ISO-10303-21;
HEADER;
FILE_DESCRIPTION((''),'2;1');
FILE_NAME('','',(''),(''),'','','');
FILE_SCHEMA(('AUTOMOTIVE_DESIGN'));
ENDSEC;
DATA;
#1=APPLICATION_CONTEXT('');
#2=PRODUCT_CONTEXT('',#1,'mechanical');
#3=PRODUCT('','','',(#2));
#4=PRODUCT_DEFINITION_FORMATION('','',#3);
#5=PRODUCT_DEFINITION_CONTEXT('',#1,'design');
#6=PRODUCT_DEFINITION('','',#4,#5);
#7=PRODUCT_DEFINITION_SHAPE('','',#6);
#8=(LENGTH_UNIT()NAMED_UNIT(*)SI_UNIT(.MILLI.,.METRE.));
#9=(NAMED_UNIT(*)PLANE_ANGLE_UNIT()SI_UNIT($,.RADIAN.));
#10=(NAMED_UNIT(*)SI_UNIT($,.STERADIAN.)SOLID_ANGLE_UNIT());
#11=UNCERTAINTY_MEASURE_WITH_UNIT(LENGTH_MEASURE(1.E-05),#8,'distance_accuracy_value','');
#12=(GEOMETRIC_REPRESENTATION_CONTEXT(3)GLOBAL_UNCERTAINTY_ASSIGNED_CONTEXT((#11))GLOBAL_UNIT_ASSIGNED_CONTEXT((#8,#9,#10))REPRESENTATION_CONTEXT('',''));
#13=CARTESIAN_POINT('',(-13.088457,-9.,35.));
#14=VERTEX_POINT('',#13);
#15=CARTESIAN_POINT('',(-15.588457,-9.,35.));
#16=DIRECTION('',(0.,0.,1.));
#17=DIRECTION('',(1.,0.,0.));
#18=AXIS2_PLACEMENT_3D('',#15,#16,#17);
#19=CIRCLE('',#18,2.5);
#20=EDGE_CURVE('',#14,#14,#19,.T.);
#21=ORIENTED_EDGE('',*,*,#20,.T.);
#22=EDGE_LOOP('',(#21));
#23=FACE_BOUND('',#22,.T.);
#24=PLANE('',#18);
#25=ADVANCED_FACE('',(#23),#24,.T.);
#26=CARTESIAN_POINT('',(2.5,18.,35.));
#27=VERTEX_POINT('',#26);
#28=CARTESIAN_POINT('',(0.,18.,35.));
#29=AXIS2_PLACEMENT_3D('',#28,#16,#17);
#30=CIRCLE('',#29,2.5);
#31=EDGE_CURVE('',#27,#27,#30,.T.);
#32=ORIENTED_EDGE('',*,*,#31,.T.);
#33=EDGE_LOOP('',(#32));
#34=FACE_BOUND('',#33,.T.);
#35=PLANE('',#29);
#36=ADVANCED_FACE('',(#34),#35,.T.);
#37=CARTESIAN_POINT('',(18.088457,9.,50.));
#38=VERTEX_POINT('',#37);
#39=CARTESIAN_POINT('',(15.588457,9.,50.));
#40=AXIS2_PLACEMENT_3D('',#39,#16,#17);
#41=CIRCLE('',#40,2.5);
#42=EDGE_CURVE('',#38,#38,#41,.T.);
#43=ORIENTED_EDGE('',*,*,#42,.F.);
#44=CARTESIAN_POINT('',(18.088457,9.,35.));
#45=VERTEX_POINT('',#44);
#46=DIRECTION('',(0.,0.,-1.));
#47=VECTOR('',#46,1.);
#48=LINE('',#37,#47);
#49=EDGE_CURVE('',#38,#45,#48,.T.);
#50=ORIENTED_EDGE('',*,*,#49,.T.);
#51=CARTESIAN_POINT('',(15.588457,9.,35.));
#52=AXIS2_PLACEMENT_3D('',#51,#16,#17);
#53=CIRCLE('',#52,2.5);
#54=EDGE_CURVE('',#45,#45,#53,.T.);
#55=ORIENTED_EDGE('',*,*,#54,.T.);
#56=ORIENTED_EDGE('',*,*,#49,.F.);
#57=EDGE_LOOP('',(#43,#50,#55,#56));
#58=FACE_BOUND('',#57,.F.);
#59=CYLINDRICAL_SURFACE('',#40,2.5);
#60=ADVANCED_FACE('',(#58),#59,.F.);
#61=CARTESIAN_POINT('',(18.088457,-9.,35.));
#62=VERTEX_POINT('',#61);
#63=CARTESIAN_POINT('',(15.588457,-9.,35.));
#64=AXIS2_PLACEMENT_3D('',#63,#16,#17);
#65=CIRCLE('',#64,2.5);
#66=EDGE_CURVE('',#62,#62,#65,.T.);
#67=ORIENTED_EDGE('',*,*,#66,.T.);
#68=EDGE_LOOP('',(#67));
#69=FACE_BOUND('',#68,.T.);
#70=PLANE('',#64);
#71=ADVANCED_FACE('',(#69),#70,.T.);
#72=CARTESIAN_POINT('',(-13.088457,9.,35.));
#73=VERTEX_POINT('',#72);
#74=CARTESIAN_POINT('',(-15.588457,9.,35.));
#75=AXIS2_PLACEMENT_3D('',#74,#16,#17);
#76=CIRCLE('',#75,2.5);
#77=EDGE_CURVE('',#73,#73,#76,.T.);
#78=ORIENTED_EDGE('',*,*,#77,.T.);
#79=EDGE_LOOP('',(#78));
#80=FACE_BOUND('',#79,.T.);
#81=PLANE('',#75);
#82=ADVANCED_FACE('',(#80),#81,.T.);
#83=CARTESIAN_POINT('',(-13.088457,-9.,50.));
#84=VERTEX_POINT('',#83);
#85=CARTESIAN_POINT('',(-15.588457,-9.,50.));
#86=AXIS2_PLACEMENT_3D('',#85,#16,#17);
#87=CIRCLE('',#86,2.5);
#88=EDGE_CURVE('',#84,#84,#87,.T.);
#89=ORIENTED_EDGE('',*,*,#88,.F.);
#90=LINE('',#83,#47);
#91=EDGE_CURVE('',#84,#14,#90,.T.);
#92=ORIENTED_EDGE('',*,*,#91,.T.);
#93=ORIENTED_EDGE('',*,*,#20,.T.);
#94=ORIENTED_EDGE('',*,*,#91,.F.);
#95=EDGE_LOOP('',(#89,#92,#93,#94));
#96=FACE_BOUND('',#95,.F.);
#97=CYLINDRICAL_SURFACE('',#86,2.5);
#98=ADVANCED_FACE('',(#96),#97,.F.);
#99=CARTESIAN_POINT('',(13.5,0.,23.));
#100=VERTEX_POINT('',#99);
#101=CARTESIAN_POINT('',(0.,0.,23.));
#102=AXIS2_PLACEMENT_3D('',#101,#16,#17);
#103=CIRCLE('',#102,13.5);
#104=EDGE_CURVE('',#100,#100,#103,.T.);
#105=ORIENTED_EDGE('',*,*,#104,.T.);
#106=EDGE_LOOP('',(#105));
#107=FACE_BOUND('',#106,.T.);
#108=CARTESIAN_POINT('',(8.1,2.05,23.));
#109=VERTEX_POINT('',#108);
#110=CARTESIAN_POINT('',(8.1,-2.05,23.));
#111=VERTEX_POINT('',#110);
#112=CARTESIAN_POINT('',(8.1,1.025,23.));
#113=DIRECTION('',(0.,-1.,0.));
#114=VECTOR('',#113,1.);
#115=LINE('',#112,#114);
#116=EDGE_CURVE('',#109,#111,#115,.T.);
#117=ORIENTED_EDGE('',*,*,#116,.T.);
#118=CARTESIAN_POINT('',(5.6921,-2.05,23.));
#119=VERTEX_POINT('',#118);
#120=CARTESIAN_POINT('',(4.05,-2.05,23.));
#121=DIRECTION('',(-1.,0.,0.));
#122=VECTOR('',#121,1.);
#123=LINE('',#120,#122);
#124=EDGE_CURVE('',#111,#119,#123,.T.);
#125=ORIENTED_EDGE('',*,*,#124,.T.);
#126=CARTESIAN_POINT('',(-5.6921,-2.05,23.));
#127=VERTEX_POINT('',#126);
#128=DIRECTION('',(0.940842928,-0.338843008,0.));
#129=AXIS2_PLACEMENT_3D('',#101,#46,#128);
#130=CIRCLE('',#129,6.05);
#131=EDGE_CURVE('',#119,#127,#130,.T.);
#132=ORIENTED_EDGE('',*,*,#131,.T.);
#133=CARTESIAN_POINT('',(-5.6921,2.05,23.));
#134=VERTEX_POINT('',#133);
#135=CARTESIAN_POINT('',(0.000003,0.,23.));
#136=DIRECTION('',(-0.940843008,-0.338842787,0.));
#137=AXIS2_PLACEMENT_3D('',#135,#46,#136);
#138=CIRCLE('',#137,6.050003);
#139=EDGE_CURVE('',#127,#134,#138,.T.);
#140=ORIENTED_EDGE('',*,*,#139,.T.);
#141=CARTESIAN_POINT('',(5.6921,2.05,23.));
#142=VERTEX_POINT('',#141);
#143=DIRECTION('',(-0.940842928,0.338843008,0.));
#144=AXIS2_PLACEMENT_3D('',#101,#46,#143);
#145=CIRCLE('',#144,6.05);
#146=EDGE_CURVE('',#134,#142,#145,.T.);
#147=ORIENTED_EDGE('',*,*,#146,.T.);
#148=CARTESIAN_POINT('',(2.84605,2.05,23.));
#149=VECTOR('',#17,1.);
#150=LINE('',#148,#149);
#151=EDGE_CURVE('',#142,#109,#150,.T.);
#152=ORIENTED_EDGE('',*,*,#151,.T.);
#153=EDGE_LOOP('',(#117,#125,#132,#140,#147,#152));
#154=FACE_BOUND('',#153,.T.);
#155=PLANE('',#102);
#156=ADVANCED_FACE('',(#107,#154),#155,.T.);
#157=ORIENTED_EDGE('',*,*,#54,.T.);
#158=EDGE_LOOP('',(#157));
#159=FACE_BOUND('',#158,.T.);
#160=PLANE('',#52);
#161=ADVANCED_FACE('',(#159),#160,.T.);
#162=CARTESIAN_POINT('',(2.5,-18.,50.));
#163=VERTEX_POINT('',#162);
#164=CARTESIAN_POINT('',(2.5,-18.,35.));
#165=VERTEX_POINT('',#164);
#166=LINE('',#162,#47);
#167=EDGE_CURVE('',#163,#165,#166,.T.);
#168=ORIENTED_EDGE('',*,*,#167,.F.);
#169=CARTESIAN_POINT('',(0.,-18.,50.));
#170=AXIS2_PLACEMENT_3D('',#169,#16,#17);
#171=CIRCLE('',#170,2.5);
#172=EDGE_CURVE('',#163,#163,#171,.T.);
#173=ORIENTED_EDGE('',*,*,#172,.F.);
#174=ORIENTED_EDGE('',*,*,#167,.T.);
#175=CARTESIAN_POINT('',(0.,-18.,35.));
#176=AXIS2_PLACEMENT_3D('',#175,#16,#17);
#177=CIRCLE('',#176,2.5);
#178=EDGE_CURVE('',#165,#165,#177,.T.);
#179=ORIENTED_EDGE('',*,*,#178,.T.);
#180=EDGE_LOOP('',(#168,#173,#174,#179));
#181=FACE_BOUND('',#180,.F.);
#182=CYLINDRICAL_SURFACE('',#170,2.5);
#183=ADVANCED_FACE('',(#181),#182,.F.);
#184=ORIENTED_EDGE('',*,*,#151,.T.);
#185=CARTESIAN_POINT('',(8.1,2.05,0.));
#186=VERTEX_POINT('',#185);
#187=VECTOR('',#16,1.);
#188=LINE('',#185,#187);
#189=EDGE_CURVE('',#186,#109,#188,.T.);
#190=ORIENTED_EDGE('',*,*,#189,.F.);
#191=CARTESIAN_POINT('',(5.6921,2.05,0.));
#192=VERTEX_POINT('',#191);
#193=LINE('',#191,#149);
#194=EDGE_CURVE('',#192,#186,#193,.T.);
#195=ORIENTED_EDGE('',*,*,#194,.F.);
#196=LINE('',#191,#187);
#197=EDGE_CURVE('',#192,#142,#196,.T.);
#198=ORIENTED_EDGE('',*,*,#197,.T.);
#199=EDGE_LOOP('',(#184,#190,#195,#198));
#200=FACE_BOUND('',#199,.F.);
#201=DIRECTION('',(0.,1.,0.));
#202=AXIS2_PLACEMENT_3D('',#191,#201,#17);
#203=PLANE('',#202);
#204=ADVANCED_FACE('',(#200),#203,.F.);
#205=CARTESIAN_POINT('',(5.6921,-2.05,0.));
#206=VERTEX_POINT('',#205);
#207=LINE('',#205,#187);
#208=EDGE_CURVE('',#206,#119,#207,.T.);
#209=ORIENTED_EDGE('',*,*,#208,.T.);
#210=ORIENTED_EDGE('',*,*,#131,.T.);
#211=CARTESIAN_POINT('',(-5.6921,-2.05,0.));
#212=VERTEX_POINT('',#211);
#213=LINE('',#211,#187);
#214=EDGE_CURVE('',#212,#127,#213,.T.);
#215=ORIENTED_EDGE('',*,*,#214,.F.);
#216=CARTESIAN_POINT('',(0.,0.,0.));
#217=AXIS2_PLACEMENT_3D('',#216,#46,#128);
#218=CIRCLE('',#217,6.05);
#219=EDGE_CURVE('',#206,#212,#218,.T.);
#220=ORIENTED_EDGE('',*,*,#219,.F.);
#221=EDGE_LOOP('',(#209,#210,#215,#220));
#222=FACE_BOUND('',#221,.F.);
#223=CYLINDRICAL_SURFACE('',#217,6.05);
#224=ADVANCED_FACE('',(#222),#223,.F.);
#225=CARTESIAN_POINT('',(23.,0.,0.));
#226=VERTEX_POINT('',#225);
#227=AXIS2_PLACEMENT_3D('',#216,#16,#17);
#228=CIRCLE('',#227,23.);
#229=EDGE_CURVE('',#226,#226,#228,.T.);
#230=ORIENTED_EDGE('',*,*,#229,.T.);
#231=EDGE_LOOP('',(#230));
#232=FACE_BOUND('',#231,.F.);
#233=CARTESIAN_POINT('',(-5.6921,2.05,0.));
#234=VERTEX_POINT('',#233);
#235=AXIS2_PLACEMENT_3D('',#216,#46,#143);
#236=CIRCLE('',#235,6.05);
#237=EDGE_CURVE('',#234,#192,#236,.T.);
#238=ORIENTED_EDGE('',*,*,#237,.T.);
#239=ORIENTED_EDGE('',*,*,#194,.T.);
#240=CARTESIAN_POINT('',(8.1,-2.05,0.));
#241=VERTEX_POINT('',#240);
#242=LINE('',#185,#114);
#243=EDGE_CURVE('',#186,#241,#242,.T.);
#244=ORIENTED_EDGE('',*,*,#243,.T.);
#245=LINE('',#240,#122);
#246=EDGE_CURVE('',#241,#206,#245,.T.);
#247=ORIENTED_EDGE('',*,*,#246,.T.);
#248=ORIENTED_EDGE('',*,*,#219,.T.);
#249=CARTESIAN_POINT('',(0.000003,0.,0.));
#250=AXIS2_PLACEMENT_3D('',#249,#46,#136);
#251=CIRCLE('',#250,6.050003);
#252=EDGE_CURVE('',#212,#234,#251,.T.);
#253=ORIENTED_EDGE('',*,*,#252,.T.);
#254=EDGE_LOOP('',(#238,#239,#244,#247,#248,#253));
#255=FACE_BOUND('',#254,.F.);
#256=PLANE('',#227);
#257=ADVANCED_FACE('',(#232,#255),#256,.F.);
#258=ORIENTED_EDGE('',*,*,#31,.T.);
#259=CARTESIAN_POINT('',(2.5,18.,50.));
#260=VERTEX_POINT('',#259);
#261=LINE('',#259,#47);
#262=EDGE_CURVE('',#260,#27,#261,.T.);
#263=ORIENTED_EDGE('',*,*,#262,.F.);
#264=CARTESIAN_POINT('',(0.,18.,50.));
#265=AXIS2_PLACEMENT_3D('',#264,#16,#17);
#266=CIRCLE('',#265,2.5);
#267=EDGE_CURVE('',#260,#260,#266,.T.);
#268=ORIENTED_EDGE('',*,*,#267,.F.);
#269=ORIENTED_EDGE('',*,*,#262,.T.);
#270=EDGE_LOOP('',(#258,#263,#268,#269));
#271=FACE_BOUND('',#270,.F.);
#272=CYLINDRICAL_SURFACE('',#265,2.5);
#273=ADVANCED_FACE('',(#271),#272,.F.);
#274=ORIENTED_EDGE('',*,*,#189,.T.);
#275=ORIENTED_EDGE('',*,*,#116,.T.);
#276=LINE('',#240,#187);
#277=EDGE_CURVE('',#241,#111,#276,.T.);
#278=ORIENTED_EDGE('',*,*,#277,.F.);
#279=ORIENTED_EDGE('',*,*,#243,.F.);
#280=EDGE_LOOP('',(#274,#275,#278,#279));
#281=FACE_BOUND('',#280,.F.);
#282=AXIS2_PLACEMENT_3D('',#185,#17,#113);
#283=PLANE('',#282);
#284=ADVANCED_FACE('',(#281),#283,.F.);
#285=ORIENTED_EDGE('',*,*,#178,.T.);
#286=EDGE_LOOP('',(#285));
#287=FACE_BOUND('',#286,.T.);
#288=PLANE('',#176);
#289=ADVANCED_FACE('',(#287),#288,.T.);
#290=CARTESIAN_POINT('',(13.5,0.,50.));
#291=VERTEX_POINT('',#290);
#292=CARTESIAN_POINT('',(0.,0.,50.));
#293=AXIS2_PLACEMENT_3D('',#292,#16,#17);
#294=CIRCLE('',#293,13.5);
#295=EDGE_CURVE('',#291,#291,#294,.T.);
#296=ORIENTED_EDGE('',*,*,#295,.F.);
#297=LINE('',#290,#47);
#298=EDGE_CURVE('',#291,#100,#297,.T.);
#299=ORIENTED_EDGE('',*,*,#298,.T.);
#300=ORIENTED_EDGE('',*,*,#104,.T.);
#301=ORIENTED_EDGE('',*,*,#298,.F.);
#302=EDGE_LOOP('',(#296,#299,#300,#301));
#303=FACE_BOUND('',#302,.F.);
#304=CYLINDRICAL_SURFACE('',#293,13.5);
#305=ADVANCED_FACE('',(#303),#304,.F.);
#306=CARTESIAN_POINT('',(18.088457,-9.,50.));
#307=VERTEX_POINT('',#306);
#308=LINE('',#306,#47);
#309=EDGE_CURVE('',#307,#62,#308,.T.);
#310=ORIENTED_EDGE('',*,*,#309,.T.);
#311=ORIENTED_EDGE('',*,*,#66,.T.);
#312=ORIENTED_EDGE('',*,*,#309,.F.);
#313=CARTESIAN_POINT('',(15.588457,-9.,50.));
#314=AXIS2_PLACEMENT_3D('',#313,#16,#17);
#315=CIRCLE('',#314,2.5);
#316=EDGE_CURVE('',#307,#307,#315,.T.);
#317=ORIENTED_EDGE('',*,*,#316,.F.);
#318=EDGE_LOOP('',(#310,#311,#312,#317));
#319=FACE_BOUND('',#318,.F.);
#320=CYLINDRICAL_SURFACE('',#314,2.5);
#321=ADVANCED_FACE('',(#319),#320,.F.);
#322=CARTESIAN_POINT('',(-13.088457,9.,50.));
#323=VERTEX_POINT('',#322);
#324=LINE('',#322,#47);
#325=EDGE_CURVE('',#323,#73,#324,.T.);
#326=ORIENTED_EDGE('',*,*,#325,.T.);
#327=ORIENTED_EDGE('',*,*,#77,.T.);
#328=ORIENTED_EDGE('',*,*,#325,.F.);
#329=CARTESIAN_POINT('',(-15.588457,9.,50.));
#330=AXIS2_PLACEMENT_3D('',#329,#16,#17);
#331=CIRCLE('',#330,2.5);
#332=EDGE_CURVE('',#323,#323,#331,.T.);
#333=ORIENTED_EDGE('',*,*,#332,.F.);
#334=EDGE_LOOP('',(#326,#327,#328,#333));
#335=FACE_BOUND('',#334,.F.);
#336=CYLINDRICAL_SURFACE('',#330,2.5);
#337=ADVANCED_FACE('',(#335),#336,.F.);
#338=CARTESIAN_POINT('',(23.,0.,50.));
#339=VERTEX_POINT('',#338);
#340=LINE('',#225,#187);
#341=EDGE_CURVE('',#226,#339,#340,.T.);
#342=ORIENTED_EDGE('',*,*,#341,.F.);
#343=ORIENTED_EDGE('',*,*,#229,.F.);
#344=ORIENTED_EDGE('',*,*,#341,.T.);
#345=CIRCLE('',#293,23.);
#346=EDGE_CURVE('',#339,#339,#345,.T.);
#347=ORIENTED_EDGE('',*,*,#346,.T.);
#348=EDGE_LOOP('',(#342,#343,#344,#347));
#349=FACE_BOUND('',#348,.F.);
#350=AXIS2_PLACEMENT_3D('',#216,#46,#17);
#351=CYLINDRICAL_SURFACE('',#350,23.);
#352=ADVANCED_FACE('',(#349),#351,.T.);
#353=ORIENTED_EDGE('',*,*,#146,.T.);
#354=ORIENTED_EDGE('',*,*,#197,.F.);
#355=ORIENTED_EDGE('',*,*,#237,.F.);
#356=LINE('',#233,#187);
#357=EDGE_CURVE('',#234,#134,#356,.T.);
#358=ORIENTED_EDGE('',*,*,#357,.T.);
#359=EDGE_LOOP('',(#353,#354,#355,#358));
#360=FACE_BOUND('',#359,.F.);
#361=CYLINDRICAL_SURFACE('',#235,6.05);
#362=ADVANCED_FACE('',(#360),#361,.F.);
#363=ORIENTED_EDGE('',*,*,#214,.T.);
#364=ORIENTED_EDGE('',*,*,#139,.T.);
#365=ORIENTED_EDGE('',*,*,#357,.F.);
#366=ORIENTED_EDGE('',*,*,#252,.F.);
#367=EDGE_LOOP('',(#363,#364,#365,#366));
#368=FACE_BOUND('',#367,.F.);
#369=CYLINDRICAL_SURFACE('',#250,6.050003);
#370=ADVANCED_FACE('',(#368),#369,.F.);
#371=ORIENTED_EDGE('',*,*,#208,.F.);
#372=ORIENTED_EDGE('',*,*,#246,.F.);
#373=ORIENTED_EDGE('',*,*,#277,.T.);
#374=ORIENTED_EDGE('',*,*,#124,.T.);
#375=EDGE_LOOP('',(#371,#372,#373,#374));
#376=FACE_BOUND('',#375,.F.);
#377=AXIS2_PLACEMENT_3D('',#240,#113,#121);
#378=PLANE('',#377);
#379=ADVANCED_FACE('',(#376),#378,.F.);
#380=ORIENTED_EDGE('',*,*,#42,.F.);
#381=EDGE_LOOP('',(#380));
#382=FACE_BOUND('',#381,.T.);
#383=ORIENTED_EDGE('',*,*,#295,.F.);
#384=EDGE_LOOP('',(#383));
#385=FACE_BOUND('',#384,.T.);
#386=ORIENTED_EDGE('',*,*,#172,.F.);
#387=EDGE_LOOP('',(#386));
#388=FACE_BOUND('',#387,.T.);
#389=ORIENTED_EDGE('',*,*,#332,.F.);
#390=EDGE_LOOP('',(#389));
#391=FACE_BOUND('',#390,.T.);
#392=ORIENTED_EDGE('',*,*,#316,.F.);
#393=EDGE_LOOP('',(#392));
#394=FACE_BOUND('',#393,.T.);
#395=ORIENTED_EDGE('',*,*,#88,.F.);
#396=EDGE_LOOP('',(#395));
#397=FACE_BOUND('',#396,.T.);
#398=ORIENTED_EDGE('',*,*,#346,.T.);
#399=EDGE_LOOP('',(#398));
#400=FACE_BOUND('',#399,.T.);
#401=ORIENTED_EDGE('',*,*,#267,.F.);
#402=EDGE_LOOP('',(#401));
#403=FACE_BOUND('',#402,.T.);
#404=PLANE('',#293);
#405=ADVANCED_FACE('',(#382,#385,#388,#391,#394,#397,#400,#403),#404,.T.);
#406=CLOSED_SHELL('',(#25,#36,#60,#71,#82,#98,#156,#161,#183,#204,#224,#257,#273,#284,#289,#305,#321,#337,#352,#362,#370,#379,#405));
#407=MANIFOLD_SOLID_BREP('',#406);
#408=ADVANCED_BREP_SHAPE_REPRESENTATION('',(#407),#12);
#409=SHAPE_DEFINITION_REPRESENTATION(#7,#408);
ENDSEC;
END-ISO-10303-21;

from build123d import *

# Parameters (mm, degrees)
F0_R     = 23
F3_DEPTH = 50
F4_R     = 13.5
F1_DEPTH = 27
F5_R     = 2.5
F2_DEPTH = 15


with BuildPart() as f3:
    # F0 (on Top) → F3 (new body)
    with BuildSketch(Plane.XY):
        Circle(F0_R)
        with BuildLine():
            ThreePointArc((-5.6921, 2.05), (0, 6.05), (5.6921, 2.05))
            Line((5.6921, 2.05), (8.1, 2.05))
            Line((8.1, 2.05), (8.1, -2.05))
            Line((8.1, -2.05), (5.6921, -2.05))
            ThreePointArc((5.6921, -2.05), (0, -6.05), (-5.6921, -2.05))
            Line((-5.6921, -2.05), (-8.1, -2.05))
            Line((-8.1, -2.05), (-8.1, 2.05))
            Line((-8.1, 2.05), (-5.6921, 2.05))
        make_face(mode=Mode.SUBTRACT)
        with BuildLine():
            ThreePointArc((-5.6921, -2.05), (-6.05, 0), (-5.6921, 2.05))
            Line((-5.6921, 2.05), (-8.1, 2.05))
            Line((-8.1, 2.05), (-8.1, -2.05))
            Line((-8.1, -2.05), (-5.6921, -2.05))
        make_face()
    extrude(amount=F3_DEPTH)

    # F4 (on face) → F1 (cut)
    with BuildSketch(Plane.XY.offset(50)):
        Circle(F4_R)
    extrude(amount=-F1_DEPTH, mode=Mode.SUBTRACT)

    # F5 (on face) → F2 (cut)
    with BuildSketch(Plane.XY.offset(50)):
        with Locations((15.588457, 9)):
            Circle(F5_R)
        with Locations((0, 18)):
            Circle(F5_R)
        with Locations((-15.588457, 9)):
            Circle(F5_R)
        with Locations((15.588457, -9)):
            Circle(F5_R)
        with Locations((0, -18)):
            Circle(F5_R)
        with Locations((-15.588457, -9)):
            Circle(F5_R)
    extrude(amount=-F2_DEPTH, mode=Mode.SUBTRACT)


solid = f3.part
